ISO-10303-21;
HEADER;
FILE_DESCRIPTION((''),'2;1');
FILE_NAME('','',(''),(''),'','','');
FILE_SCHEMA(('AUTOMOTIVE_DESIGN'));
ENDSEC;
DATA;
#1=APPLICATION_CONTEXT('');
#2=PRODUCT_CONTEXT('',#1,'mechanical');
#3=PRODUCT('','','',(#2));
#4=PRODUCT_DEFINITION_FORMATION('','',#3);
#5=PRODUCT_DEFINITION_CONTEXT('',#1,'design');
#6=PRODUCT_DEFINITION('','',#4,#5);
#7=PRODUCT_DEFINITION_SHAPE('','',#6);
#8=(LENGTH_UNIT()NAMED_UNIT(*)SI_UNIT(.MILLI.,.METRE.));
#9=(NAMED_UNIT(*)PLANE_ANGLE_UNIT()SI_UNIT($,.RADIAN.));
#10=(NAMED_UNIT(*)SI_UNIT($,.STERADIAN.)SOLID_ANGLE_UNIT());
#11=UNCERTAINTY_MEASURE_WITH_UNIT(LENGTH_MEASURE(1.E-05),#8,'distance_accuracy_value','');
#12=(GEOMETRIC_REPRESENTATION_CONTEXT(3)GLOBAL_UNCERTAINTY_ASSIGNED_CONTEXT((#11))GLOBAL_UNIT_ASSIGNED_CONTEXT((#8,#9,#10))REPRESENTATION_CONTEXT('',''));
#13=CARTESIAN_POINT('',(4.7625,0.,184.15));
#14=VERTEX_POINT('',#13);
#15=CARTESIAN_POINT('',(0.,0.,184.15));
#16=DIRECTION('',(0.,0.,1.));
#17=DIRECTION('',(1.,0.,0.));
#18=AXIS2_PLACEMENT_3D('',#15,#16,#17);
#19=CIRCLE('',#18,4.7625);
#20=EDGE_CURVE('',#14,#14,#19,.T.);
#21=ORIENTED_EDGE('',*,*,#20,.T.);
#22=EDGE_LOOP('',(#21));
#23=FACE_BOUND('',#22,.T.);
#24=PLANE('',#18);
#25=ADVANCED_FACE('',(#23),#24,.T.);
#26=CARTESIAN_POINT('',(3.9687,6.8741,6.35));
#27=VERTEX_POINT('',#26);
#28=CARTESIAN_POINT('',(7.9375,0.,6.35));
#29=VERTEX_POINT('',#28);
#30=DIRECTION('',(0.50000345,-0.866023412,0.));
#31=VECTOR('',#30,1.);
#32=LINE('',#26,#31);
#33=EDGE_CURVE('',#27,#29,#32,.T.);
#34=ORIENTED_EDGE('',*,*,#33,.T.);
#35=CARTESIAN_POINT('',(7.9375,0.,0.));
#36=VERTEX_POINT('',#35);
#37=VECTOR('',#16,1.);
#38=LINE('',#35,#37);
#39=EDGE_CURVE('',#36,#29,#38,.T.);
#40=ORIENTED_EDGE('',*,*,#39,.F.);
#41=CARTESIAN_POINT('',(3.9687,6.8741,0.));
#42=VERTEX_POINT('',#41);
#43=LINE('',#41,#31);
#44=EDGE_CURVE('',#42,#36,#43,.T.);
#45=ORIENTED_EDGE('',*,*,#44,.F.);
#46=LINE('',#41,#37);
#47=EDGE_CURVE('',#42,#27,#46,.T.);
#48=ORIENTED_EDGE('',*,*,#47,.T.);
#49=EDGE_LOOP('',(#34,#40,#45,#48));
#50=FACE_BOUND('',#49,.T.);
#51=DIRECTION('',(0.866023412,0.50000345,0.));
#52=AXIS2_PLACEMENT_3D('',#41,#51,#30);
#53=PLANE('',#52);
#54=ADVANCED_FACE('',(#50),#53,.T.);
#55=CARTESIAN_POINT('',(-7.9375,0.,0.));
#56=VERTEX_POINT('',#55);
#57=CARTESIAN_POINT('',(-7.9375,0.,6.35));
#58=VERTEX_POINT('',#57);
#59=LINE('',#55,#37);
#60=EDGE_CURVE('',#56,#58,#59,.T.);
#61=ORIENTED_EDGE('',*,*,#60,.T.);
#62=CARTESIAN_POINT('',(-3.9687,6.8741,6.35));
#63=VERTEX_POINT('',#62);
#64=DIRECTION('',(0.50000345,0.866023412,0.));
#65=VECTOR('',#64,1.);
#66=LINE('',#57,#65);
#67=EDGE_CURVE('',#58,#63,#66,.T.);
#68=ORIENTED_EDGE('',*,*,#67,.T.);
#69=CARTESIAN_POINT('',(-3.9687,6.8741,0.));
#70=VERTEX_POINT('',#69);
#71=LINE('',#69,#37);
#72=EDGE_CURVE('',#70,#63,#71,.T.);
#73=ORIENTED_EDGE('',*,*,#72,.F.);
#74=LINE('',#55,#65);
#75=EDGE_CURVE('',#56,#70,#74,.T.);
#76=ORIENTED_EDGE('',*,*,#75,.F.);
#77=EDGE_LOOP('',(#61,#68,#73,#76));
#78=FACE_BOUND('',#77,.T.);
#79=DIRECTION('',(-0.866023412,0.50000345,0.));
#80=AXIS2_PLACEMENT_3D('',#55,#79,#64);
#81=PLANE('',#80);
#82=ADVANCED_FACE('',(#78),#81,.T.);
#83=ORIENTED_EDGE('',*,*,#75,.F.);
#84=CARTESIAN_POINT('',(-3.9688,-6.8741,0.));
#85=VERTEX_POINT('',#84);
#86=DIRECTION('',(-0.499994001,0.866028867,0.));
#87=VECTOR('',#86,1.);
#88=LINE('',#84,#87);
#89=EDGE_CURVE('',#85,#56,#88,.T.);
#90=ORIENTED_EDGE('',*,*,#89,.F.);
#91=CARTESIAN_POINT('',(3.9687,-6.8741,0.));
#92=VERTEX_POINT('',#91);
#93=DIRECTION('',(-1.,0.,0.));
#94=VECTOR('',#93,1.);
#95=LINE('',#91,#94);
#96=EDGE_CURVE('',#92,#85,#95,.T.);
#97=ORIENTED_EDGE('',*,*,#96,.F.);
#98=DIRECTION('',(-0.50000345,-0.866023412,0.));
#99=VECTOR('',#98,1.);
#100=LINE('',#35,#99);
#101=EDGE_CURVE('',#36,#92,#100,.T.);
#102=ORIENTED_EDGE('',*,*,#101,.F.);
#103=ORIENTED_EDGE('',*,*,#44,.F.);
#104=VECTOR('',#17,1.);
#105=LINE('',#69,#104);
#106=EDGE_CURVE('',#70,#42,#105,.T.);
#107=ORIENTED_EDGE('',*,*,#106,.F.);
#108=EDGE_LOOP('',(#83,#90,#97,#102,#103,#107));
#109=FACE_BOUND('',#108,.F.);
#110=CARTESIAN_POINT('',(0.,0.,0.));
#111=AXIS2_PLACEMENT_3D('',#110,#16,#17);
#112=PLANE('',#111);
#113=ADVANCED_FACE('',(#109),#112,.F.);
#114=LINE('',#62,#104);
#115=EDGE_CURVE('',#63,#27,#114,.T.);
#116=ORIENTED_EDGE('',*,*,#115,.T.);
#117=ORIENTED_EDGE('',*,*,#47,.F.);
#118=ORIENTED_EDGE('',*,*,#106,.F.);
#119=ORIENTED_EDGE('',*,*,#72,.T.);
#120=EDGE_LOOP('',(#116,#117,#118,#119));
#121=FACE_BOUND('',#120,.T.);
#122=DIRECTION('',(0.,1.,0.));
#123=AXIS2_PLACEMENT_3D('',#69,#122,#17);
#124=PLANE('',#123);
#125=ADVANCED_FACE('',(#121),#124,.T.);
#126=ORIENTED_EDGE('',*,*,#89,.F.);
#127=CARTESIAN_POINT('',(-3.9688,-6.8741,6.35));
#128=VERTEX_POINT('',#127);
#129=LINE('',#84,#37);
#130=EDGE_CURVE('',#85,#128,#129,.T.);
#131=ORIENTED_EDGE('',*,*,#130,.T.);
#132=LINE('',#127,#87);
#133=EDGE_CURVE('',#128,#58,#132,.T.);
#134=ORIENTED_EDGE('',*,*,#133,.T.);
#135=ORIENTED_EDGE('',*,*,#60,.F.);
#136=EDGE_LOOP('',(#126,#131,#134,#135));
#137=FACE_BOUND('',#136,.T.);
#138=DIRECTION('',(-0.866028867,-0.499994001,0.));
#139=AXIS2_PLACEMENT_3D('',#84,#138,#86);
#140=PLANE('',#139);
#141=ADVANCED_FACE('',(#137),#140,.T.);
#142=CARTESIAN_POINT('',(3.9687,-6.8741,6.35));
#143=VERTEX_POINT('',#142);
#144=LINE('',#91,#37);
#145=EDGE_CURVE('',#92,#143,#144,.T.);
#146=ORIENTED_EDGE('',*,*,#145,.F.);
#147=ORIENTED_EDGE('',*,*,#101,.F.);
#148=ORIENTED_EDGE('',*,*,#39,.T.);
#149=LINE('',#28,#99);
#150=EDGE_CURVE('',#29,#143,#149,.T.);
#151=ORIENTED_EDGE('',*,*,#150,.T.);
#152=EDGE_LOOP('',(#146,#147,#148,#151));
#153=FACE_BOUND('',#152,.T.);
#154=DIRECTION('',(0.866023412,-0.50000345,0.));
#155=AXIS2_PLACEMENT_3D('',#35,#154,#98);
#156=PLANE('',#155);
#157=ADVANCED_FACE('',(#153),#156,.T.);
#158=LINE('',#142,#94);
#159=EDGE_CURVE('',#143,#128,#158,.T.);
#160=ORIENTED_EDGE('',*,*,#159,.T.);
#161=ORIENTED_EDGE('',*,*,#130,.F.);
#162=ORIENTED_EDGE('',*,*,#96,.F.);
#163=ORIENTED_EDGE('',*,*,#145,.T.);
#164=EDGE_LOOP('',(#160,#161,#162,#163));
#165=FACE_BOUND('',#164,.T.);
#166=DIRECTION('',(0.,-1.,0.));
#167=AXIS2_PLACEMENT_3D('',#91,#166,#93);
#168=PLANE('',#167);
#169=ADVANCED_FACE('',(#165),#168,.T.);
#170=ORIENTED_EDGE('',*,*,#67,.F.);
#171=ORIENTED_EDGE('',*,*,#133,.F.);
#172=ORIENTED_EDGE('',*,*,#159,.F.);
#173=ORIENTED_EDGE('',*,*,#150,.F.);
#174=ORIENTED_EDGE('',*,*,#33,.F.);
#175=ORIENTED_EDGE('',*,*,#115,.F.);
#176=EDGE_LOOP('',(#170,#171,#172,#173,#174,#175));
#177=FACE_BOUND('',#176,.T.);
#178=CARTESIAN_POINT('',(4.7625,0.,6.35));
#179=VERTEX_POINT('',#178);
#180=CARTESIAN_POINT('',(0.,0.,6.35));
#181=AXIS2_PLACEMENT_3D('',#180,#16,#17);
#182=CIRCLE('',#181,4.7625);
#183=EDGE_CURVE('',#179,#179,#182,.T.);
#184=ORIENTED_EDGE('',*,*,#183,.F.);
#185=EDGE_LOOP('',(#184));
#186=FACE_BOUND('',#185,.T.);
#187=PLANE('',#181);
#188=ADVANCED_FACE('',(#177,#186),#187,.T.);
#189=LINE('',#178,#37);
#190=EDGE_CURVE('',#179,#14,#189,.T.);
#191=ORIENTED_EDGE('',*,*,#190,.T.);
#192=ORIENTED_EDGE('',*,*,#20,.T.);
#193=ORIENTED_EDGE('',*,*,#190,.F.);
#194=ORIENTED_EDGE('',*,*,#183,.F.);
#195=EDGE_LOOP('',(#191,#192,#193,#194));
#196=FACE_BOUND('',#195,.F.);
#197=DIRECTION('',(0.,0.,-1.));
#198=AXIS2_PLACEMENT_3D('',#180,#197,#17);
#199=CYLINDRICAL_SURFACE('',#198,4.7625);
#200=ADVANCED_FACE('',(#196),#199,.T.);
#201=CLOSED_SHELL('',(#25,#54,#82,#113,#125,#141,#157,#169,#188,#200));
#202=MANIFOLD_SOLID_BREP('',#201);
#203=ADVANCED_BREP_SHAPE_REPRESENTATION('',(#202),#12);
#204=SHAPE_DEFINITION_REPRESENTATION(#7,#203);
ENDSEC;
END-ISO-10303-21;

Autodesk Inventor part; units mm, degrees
ref_plane "YZ Plane" through (0, 0, 0) normal (1, 0, 0) x (0, 1, 0)
ref_plane "XZ Plane" through (0, 0, 0) normal (0, 1, 0) x (-1, 0, 0)
ref_plane "XY Plane" through (0, 0, 0) normal (0, 0, 1) x (1, 0, 0)
sketch "Sketch1" plane through (0, 0, 0) normal (0, 0, 1) x (1, 0, 0)
  line L0 (-3.9687, 6.8741) -> (3.9687, 6.8741)
  line L1 (3.9687, 6.8741) -> (7.9375, 0)
  line L2 (7.9375, 0) -> (3.9687, -6.8741)
  line L3 (3.9687, -6.8741) -> (-3.9688, -6.8741)
  line L4 (-3.9688, -6.8741) -> (-7.9375, 0)
  line L5 (-7.9375, 0) -> (-3.9687, 6.8741)
  point P0 (0, 0)
  point P1 (0, 6.8741)
  dimension "d0" = 15.875
extrude "Extrusion1" add sketch "Sketch1" along normal blind 6.35
sketch "Sketch2" plane through (0, 0, 6.35) normal (0, 0, 1) x (1, 0, 0)
  circle A0 centre (0, 0) radius 4.7625
  dimension "d3" = 9.525
extrude "Extrusion2" add sketch "Sketch2" along normal blind 177.8
thread "Thread1" size "3/8-16 UNC" class "2A" standard "ANSI Unified Screw Threads" length 33.655
properties part number "7in bolt"
